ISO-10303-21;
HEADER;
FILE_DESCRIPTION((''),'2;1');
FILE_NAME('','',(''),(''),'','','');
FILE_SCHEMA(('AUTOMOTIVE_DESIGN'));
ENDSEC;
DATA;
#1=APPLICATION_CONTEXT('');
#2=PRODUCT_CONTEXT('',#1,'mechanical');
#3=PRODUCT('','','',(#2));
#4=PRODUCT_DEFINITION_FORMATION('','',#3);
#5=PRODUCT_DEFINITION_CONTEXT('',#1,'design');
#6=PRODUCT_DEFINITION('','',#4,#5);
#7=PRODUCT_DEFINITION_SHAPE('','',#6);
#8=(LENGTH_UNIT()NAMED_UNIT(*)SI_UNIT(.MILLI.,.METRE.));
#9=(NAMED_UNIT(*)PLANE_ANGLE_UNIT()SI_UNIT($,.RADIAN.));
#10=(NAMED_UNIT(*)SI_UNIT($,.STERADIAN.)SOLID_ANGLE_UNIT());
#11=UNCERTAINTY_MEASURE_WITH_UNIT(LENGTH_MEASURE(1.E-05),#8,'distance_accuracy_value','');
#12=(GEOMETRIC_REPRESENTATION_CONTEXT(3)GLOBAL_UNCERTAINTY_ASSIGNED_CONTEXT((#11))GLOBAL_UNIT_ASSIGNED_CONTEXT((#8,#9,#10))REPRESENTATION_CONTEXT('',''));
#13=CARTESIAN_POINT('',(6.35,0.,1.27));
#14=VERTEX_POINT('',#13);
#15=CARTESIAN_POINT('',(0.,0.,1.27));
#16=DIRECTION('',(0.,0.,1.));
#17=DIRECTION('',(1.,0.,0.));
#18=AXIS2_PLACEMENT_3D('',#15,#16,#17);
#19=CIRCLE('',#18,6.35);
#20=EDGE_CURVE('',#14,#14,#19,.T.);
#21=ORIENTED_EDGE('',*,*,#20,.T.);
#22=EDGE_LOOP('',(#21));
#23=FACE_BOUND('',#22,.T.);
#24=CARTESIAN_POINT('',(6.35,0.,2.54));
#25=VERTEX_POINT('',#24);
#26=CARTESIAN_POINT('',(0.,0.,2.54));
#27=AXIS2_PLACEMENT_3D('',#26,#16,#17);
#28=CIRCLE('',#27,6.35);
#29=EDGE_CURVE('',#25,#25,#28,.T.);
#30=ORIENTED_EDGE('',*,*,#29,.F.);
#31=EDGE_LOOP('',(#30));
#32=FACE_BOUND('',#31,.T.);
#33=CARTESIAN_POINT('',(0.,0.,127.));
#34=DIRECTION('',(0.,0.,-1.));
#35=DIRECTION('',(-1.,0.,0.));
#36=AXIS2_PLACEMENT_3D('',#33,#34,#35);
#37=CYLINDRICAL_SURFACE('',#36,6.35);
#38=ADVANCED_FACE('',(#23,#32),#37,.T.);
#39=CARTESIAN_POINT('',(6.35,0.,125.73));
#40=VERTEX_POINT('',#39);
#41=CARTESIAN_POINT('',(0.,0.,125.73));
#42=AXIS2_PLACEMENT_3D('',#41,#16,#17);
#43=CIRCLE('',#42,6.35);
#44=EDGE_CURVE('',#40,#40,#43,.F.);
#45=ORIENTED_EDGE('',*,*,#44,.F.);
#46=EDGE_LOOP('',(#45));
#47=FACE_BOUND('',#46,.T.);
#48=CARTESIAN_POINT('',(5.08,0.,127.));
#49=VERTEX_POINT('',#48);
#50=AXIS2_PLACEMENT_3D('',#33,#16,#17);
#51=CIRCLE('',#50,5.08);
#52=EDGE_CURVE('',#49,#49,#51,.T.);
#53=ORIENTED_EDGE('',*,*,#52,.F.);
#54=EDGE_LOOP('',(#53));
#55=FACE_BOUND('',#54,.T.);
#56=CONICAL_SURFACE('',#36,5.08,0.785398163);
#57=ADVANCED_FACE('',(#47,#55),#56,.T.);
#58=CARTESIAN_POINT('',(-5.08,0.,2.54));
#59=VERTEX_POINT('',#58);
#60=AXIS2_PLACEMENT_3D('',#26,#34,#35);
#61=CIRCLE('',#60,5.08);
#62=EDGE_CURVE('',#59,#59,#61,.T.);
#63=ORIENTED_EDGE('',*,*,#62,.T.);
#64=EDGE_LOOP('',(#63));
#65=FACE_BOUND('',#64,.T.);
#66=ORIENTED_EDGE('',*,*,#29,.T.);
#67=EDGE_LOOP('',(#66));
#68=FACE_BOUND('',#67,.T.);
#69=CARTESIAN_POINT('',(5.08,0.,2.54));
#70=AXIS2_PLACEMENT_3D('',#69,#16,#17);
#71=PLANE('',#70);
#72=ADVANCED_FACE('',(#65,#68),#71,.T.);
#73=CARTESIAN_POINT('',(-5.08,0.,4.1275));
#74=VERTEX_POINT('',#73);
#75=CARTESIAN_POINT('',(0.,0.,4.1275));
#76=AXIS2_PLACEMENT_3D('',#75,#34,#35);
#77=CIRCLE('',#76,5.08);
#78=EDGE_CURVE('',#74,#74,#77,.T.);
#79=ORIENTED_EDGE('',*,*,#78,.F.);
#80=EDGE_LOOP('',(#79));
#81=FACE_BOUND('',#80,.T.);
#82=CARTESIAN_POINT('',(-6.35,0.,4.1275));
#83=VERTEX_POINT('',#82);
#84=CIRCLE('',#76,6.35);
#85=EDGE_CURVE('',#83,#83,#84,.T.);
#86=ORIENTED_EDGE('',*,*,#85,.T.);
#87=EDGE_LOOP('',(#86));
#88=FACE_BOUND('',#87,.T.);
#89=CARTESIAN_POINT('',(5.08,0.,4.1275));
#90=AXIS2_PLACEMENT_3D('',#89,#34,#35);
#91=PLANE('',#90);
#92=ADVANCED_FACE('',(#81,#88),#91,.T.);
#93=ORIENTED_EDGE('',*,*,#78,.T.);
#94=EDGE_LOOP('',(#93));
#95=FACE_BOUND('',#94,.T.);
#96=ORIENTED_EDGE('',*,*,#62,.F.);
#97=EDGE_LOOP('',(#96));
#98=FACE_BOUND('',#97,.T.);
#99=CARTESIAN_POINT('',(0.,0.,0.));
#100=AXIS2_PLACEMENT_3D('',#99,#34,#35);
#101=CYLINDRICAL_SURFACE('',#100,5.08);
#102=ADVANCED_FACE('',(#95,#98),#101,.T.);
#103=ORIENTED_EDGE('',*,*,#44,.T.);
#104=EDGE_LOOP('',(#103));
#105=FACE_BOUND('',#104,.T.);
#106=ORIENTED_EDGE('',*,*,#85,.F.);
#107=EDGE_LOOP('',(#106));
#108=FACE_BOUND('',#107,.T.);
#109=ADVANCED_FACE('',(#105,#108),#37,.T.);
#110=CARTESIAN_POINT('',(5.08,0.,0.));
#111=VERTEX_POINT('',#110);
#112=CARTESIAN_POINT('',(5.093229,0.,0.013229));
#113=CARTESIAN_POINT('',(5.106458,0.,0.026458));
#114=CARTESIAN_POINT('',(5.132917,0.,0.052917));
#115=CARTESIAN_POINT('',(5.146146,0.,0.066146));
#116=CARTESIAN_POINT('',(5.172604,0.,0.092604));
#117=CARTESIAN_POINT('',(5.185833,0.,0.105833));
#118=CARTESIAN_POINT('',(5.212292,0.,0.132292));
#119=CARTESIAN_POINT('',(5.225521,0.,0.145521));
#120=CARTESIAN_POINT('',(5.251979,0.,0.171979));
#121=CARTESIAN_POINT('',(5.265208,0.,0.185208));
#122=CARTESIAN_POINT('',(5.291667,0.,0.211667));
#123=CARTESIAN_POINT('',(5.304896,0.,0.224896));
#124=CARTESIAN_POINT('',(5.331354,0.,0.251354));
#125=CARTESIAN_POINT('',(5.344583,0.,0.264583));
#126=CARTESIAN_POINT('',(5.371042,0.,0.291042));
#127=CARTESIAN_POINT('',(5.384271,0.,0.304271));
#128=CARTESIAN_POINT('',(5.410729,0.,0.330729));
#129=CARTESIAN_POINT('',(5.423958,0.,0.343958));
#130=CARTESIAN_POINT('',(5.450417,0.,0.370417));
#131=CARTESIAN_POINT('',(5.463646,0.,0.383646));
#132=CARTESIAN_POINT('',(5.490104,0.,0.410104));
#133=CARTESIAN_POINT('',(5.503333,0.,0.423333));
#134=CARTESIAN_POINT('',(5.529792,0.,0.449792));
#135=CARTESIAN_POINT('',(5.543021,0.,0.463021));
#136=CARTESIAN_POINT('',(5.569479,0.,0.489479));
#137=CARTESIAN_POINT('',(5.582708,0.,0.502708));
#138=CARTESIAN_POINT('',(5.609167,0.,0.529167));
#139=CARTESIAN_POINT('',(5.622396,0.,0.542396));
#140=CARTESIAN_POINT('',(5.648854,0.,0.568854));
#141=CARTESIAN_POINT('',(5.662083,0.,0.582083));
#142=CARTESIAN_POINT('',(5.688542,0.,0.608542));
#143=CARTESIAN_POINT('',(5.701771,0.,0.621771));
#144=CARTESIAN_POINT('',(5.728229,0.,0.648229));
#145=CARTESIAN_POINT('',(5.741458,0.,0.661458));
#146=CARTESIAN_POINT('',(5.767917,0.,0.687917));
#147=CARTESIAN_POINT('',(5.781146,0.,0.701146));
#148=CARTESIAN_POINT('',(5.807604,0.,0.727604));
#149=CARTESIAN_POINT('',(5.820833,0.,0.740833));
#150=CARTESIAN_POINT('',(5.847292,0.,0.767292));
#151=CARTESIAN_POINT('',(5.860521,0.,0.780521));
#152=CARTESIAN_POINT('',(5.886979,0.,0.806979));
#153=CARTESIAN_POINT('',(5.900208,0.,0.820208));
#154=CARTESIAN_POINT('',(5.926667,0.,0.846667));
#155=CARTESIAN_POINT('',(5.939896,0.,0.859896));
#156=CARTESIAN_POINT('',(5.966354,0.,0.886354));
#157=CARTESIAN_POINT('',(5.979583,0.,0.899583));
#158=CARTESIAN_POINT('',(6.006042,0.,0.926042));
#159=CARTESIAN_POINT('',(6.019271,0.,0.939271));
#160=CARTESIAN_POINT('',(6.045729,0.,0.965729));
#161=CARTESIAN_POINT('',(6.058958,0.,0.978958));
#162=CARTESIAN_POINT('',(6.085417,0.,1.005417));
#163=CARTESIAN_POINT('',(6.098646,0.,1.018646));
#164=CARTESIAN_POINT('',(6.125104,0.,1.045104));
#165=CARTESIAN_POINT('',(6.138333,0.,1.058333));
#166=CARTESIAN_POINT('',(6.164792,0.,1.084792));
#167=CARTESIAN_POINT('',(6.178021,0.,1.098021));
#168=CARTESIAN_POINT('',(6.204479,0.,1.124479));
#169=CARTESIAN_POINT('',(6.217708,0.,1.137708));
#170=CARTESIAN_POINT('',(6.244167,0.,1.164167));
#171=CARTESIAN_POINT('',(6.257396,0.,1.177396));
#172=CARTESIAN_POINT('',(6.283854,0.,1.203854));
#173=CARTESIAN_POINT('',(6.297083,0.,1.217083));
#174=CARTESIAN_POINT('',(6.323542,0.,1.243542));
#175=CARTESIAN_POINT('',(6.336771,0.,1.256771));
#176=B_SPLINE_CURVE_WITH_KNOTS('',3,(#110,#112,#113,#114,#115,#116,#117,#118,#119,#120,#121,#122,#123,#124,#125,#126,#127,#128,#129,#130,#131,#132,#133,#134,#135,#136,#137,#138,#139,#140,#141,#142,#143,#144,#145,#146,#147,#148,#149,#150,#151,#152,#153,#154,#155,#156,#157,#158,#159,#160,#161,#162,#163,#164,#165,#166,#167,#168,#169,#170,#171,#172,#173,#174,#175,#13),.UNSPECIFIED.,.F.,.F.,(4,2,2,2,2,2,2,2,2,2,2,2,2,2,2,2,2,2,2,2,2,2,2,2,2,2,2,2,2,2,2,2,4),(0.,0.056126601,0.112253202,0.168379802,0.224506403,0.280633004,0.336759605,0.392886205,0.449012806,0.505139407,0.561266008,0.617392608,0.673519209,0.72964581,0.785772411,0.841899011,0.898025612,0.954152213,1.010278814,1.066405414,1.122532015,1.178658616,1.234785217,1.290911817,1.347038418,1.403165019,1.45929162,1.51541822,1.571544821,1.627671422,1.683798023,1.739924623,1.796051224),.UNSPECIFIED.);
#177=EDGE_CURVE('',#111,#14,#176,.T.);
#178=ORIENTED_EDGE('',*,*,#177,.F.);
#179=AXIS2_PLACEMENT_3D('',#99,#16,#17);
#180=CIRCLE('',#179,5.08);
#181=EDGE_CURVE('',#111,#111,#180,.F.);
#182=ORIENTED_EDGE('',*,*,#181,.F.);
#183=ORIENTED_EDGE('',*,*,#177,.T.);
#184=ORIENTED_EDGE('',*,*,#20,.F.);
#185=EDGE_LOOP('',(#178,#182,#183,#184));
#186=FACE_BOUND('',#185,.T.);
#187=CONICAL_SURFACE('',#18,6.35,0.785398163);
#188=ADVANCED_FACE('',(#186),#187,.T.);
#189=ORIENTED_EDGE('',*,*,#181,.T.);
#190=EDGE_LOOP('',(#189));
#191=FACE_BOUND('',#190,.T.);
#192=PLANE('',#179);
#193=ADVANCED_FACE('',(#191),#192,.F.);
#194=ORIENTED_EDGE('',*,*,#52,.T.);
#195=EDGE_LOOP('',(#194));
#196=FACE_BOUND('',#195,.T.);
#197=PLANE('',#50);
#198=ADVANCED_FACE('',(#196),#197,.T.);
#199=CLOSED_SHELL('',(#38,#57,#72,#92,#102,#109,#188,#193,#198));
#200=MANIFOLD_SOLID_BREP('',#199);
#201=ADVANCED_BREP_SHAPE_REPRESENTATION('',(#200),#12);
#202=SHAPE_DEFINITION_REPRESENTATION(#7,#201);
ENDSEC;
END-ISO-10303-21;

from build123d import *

# Parameters (mm, degrees)
SKETCH1_R           = 6.35
BOSS_EXTRUDE1_DEPTH = 127
CHAMFER1_SIZE       = 1.27
SKETCH2_W           = 6.845314317
SKETCH2_H           = 1.5875


with BuildPart() as part:
    # Sketch1 → Boss-Extrude1 (new body)
    with BuildSketch(Plane.XY):
        Circle(SKETCH1_R)
    extrude(amount=BOSS_EXTRUDE1_DEPTH)

    # Chamfer1
    chamfer1_edges = [part.edges().sort_by_distance(p)[0] for p in [
        (-6.35, 0, 0),
        (-6.35, 0, 127),
    ]]
    chamfer(chamfer1_edges, length=CHAMFER1_SIZE)

    # Sketch2 → Cut-Revolve1 (revolve, cut)
    with BuildSketch(Plane(origin=(0, 0, 0), x_dir=(1, 0, 0), z_dir=(0, 1, 0)), mode=Mode.PRIVATE) as cut_revolve1_sk:
        with Locations((8.502657158, -3.33375)):
            Rectangle(SKETCH2_W, SKETCH2_H)
    revolve(cut_revolve1_sk.sketch.rotate(Axis((0, 0, 0), (0, 0, 1)), 180), axis=Axis((0, 0, 0), (0, 0, 1)), mode=Mode.SUBTRACT)


solid = part.part
